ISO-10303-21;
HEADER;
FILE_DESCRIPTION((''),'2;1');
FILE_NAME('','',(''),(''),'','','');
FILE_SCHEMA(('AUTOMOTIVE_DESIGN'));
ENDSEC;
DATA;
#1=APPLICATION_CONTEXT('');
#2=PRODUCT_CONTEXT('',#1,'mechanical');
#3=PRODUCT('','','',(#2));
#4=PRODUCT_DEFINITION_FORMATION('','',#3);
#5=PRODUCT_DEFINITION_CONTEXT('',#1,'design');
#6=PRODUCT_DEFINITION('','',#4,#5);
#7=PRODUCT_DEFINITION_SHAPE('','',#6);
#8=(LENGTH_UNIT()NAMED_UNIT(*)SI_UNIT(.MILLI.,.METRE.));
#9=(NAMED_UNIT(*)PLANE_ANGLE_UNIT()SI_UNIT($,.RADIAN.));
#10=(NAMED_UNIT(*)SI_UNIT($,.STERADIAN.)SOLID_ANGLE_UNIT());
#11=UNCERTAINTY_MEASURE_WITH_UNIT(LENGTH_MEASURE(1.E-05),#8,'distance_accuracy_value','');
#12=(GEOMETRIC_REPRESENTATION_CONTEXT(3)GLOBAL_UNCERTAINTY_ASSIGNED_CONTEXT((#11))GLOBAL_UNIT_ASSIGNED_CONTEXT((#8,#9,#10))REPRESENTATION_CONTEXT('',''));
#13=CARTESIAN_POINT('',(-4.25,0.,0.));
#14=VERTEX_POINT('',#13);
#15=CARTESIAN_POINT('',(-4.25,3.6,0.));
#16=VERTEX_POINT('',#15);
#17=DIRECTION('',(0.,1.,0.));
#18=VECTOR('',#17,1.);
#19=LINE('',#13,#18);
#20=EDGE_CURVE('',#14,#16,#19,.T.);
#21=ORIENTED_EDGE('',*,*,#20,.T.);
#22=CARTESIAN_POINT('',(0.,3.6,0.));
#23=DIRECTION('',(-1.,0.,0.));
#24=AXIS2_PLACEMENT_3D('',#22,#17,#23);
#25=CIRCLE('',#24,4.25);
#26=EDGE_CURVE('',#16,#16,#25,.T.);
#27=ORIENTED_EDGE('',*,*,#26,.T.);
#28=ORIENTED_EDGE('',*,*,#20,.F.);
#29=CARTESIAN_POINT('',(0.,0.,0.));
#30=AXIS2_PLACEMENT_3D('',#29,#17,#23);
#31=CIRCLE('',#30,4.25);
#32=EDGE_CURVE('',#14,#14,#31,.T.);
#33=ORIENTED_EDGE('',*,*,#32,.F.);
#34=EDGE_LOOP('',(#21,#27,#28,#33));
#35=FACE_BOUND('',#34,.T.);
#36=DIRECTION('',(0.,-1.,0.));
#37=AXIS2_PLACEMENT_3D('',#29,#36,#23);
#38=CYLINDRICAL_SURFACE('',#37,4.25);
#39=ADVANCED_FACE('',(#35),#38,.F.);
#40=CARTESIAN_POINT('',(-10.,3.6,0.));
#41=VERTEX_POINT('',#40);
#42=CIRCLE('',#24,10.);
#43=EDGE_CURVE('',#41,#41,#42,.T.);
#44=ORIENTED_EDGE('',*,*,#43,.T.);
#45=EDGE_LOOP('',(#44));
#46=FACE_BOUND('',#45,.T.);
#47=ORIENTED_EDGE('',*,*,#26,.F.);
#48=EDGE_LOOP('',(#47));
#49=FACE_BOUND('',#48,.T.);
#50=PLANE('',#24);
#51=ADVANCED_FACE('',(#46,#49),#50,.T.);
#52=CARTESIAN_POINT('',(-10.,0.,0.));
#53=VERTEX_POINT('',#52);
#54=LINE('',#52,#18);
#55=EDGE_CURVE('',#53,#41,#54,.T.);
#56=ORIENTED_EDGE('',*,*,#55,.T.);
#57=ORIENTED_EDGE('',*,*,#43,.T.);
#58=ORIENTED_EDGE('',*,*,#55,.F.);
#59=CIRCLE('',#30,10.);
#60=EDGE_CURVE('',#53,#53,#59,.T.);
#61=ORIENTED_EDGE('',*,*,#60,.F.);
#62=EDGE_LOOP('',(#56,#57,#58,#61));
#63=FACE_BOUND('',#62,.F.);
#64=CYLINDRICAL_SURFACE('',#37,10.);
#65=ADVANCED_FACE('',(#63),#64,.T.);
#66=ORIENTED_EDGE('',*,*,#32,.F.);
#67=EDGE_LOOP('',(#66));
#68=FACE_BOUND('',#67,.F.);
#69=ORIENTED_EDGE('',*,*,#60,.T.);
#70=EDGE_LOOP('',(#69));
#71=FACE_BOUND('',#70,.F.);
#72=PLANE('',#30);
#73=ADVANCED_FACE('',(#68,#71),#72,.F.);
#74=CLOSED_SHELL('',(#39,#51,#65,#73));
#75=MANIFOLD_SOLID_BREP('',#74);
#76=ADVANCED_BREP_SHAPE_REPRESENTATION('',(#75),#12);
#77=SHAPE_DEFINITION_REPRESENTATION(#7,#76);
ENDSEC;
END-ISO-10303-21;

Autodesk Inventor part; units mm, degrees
ref_plane "YZ Plane" through (0, 0, 0) normal (1, 0, 0) x (0, 1, 0)
ref_plane "XZ Plane" through (0, 0, 0) normal (0, 1, 0) x (-1, 0, 0)
ref_plane "XY Plane" through (0, 0, 0) normal (0, 0, 1) x (1, 0, 0)
sketch "スケッチ1" plane through (0, 0, 0) normal (0, 1, 0) x (-1, 0, 0)
  circle A0 centre (0, 0) radius 4.25
  circle A1 centre (0, 0) radius 10
  dimension "d0" = 8.5
  dimension "d1" = 20
extrude "押し出し1" add sketch "スケッチ1" along normal blind 3.6
properties part number "shoulder2_upperplate_right_spacer"
